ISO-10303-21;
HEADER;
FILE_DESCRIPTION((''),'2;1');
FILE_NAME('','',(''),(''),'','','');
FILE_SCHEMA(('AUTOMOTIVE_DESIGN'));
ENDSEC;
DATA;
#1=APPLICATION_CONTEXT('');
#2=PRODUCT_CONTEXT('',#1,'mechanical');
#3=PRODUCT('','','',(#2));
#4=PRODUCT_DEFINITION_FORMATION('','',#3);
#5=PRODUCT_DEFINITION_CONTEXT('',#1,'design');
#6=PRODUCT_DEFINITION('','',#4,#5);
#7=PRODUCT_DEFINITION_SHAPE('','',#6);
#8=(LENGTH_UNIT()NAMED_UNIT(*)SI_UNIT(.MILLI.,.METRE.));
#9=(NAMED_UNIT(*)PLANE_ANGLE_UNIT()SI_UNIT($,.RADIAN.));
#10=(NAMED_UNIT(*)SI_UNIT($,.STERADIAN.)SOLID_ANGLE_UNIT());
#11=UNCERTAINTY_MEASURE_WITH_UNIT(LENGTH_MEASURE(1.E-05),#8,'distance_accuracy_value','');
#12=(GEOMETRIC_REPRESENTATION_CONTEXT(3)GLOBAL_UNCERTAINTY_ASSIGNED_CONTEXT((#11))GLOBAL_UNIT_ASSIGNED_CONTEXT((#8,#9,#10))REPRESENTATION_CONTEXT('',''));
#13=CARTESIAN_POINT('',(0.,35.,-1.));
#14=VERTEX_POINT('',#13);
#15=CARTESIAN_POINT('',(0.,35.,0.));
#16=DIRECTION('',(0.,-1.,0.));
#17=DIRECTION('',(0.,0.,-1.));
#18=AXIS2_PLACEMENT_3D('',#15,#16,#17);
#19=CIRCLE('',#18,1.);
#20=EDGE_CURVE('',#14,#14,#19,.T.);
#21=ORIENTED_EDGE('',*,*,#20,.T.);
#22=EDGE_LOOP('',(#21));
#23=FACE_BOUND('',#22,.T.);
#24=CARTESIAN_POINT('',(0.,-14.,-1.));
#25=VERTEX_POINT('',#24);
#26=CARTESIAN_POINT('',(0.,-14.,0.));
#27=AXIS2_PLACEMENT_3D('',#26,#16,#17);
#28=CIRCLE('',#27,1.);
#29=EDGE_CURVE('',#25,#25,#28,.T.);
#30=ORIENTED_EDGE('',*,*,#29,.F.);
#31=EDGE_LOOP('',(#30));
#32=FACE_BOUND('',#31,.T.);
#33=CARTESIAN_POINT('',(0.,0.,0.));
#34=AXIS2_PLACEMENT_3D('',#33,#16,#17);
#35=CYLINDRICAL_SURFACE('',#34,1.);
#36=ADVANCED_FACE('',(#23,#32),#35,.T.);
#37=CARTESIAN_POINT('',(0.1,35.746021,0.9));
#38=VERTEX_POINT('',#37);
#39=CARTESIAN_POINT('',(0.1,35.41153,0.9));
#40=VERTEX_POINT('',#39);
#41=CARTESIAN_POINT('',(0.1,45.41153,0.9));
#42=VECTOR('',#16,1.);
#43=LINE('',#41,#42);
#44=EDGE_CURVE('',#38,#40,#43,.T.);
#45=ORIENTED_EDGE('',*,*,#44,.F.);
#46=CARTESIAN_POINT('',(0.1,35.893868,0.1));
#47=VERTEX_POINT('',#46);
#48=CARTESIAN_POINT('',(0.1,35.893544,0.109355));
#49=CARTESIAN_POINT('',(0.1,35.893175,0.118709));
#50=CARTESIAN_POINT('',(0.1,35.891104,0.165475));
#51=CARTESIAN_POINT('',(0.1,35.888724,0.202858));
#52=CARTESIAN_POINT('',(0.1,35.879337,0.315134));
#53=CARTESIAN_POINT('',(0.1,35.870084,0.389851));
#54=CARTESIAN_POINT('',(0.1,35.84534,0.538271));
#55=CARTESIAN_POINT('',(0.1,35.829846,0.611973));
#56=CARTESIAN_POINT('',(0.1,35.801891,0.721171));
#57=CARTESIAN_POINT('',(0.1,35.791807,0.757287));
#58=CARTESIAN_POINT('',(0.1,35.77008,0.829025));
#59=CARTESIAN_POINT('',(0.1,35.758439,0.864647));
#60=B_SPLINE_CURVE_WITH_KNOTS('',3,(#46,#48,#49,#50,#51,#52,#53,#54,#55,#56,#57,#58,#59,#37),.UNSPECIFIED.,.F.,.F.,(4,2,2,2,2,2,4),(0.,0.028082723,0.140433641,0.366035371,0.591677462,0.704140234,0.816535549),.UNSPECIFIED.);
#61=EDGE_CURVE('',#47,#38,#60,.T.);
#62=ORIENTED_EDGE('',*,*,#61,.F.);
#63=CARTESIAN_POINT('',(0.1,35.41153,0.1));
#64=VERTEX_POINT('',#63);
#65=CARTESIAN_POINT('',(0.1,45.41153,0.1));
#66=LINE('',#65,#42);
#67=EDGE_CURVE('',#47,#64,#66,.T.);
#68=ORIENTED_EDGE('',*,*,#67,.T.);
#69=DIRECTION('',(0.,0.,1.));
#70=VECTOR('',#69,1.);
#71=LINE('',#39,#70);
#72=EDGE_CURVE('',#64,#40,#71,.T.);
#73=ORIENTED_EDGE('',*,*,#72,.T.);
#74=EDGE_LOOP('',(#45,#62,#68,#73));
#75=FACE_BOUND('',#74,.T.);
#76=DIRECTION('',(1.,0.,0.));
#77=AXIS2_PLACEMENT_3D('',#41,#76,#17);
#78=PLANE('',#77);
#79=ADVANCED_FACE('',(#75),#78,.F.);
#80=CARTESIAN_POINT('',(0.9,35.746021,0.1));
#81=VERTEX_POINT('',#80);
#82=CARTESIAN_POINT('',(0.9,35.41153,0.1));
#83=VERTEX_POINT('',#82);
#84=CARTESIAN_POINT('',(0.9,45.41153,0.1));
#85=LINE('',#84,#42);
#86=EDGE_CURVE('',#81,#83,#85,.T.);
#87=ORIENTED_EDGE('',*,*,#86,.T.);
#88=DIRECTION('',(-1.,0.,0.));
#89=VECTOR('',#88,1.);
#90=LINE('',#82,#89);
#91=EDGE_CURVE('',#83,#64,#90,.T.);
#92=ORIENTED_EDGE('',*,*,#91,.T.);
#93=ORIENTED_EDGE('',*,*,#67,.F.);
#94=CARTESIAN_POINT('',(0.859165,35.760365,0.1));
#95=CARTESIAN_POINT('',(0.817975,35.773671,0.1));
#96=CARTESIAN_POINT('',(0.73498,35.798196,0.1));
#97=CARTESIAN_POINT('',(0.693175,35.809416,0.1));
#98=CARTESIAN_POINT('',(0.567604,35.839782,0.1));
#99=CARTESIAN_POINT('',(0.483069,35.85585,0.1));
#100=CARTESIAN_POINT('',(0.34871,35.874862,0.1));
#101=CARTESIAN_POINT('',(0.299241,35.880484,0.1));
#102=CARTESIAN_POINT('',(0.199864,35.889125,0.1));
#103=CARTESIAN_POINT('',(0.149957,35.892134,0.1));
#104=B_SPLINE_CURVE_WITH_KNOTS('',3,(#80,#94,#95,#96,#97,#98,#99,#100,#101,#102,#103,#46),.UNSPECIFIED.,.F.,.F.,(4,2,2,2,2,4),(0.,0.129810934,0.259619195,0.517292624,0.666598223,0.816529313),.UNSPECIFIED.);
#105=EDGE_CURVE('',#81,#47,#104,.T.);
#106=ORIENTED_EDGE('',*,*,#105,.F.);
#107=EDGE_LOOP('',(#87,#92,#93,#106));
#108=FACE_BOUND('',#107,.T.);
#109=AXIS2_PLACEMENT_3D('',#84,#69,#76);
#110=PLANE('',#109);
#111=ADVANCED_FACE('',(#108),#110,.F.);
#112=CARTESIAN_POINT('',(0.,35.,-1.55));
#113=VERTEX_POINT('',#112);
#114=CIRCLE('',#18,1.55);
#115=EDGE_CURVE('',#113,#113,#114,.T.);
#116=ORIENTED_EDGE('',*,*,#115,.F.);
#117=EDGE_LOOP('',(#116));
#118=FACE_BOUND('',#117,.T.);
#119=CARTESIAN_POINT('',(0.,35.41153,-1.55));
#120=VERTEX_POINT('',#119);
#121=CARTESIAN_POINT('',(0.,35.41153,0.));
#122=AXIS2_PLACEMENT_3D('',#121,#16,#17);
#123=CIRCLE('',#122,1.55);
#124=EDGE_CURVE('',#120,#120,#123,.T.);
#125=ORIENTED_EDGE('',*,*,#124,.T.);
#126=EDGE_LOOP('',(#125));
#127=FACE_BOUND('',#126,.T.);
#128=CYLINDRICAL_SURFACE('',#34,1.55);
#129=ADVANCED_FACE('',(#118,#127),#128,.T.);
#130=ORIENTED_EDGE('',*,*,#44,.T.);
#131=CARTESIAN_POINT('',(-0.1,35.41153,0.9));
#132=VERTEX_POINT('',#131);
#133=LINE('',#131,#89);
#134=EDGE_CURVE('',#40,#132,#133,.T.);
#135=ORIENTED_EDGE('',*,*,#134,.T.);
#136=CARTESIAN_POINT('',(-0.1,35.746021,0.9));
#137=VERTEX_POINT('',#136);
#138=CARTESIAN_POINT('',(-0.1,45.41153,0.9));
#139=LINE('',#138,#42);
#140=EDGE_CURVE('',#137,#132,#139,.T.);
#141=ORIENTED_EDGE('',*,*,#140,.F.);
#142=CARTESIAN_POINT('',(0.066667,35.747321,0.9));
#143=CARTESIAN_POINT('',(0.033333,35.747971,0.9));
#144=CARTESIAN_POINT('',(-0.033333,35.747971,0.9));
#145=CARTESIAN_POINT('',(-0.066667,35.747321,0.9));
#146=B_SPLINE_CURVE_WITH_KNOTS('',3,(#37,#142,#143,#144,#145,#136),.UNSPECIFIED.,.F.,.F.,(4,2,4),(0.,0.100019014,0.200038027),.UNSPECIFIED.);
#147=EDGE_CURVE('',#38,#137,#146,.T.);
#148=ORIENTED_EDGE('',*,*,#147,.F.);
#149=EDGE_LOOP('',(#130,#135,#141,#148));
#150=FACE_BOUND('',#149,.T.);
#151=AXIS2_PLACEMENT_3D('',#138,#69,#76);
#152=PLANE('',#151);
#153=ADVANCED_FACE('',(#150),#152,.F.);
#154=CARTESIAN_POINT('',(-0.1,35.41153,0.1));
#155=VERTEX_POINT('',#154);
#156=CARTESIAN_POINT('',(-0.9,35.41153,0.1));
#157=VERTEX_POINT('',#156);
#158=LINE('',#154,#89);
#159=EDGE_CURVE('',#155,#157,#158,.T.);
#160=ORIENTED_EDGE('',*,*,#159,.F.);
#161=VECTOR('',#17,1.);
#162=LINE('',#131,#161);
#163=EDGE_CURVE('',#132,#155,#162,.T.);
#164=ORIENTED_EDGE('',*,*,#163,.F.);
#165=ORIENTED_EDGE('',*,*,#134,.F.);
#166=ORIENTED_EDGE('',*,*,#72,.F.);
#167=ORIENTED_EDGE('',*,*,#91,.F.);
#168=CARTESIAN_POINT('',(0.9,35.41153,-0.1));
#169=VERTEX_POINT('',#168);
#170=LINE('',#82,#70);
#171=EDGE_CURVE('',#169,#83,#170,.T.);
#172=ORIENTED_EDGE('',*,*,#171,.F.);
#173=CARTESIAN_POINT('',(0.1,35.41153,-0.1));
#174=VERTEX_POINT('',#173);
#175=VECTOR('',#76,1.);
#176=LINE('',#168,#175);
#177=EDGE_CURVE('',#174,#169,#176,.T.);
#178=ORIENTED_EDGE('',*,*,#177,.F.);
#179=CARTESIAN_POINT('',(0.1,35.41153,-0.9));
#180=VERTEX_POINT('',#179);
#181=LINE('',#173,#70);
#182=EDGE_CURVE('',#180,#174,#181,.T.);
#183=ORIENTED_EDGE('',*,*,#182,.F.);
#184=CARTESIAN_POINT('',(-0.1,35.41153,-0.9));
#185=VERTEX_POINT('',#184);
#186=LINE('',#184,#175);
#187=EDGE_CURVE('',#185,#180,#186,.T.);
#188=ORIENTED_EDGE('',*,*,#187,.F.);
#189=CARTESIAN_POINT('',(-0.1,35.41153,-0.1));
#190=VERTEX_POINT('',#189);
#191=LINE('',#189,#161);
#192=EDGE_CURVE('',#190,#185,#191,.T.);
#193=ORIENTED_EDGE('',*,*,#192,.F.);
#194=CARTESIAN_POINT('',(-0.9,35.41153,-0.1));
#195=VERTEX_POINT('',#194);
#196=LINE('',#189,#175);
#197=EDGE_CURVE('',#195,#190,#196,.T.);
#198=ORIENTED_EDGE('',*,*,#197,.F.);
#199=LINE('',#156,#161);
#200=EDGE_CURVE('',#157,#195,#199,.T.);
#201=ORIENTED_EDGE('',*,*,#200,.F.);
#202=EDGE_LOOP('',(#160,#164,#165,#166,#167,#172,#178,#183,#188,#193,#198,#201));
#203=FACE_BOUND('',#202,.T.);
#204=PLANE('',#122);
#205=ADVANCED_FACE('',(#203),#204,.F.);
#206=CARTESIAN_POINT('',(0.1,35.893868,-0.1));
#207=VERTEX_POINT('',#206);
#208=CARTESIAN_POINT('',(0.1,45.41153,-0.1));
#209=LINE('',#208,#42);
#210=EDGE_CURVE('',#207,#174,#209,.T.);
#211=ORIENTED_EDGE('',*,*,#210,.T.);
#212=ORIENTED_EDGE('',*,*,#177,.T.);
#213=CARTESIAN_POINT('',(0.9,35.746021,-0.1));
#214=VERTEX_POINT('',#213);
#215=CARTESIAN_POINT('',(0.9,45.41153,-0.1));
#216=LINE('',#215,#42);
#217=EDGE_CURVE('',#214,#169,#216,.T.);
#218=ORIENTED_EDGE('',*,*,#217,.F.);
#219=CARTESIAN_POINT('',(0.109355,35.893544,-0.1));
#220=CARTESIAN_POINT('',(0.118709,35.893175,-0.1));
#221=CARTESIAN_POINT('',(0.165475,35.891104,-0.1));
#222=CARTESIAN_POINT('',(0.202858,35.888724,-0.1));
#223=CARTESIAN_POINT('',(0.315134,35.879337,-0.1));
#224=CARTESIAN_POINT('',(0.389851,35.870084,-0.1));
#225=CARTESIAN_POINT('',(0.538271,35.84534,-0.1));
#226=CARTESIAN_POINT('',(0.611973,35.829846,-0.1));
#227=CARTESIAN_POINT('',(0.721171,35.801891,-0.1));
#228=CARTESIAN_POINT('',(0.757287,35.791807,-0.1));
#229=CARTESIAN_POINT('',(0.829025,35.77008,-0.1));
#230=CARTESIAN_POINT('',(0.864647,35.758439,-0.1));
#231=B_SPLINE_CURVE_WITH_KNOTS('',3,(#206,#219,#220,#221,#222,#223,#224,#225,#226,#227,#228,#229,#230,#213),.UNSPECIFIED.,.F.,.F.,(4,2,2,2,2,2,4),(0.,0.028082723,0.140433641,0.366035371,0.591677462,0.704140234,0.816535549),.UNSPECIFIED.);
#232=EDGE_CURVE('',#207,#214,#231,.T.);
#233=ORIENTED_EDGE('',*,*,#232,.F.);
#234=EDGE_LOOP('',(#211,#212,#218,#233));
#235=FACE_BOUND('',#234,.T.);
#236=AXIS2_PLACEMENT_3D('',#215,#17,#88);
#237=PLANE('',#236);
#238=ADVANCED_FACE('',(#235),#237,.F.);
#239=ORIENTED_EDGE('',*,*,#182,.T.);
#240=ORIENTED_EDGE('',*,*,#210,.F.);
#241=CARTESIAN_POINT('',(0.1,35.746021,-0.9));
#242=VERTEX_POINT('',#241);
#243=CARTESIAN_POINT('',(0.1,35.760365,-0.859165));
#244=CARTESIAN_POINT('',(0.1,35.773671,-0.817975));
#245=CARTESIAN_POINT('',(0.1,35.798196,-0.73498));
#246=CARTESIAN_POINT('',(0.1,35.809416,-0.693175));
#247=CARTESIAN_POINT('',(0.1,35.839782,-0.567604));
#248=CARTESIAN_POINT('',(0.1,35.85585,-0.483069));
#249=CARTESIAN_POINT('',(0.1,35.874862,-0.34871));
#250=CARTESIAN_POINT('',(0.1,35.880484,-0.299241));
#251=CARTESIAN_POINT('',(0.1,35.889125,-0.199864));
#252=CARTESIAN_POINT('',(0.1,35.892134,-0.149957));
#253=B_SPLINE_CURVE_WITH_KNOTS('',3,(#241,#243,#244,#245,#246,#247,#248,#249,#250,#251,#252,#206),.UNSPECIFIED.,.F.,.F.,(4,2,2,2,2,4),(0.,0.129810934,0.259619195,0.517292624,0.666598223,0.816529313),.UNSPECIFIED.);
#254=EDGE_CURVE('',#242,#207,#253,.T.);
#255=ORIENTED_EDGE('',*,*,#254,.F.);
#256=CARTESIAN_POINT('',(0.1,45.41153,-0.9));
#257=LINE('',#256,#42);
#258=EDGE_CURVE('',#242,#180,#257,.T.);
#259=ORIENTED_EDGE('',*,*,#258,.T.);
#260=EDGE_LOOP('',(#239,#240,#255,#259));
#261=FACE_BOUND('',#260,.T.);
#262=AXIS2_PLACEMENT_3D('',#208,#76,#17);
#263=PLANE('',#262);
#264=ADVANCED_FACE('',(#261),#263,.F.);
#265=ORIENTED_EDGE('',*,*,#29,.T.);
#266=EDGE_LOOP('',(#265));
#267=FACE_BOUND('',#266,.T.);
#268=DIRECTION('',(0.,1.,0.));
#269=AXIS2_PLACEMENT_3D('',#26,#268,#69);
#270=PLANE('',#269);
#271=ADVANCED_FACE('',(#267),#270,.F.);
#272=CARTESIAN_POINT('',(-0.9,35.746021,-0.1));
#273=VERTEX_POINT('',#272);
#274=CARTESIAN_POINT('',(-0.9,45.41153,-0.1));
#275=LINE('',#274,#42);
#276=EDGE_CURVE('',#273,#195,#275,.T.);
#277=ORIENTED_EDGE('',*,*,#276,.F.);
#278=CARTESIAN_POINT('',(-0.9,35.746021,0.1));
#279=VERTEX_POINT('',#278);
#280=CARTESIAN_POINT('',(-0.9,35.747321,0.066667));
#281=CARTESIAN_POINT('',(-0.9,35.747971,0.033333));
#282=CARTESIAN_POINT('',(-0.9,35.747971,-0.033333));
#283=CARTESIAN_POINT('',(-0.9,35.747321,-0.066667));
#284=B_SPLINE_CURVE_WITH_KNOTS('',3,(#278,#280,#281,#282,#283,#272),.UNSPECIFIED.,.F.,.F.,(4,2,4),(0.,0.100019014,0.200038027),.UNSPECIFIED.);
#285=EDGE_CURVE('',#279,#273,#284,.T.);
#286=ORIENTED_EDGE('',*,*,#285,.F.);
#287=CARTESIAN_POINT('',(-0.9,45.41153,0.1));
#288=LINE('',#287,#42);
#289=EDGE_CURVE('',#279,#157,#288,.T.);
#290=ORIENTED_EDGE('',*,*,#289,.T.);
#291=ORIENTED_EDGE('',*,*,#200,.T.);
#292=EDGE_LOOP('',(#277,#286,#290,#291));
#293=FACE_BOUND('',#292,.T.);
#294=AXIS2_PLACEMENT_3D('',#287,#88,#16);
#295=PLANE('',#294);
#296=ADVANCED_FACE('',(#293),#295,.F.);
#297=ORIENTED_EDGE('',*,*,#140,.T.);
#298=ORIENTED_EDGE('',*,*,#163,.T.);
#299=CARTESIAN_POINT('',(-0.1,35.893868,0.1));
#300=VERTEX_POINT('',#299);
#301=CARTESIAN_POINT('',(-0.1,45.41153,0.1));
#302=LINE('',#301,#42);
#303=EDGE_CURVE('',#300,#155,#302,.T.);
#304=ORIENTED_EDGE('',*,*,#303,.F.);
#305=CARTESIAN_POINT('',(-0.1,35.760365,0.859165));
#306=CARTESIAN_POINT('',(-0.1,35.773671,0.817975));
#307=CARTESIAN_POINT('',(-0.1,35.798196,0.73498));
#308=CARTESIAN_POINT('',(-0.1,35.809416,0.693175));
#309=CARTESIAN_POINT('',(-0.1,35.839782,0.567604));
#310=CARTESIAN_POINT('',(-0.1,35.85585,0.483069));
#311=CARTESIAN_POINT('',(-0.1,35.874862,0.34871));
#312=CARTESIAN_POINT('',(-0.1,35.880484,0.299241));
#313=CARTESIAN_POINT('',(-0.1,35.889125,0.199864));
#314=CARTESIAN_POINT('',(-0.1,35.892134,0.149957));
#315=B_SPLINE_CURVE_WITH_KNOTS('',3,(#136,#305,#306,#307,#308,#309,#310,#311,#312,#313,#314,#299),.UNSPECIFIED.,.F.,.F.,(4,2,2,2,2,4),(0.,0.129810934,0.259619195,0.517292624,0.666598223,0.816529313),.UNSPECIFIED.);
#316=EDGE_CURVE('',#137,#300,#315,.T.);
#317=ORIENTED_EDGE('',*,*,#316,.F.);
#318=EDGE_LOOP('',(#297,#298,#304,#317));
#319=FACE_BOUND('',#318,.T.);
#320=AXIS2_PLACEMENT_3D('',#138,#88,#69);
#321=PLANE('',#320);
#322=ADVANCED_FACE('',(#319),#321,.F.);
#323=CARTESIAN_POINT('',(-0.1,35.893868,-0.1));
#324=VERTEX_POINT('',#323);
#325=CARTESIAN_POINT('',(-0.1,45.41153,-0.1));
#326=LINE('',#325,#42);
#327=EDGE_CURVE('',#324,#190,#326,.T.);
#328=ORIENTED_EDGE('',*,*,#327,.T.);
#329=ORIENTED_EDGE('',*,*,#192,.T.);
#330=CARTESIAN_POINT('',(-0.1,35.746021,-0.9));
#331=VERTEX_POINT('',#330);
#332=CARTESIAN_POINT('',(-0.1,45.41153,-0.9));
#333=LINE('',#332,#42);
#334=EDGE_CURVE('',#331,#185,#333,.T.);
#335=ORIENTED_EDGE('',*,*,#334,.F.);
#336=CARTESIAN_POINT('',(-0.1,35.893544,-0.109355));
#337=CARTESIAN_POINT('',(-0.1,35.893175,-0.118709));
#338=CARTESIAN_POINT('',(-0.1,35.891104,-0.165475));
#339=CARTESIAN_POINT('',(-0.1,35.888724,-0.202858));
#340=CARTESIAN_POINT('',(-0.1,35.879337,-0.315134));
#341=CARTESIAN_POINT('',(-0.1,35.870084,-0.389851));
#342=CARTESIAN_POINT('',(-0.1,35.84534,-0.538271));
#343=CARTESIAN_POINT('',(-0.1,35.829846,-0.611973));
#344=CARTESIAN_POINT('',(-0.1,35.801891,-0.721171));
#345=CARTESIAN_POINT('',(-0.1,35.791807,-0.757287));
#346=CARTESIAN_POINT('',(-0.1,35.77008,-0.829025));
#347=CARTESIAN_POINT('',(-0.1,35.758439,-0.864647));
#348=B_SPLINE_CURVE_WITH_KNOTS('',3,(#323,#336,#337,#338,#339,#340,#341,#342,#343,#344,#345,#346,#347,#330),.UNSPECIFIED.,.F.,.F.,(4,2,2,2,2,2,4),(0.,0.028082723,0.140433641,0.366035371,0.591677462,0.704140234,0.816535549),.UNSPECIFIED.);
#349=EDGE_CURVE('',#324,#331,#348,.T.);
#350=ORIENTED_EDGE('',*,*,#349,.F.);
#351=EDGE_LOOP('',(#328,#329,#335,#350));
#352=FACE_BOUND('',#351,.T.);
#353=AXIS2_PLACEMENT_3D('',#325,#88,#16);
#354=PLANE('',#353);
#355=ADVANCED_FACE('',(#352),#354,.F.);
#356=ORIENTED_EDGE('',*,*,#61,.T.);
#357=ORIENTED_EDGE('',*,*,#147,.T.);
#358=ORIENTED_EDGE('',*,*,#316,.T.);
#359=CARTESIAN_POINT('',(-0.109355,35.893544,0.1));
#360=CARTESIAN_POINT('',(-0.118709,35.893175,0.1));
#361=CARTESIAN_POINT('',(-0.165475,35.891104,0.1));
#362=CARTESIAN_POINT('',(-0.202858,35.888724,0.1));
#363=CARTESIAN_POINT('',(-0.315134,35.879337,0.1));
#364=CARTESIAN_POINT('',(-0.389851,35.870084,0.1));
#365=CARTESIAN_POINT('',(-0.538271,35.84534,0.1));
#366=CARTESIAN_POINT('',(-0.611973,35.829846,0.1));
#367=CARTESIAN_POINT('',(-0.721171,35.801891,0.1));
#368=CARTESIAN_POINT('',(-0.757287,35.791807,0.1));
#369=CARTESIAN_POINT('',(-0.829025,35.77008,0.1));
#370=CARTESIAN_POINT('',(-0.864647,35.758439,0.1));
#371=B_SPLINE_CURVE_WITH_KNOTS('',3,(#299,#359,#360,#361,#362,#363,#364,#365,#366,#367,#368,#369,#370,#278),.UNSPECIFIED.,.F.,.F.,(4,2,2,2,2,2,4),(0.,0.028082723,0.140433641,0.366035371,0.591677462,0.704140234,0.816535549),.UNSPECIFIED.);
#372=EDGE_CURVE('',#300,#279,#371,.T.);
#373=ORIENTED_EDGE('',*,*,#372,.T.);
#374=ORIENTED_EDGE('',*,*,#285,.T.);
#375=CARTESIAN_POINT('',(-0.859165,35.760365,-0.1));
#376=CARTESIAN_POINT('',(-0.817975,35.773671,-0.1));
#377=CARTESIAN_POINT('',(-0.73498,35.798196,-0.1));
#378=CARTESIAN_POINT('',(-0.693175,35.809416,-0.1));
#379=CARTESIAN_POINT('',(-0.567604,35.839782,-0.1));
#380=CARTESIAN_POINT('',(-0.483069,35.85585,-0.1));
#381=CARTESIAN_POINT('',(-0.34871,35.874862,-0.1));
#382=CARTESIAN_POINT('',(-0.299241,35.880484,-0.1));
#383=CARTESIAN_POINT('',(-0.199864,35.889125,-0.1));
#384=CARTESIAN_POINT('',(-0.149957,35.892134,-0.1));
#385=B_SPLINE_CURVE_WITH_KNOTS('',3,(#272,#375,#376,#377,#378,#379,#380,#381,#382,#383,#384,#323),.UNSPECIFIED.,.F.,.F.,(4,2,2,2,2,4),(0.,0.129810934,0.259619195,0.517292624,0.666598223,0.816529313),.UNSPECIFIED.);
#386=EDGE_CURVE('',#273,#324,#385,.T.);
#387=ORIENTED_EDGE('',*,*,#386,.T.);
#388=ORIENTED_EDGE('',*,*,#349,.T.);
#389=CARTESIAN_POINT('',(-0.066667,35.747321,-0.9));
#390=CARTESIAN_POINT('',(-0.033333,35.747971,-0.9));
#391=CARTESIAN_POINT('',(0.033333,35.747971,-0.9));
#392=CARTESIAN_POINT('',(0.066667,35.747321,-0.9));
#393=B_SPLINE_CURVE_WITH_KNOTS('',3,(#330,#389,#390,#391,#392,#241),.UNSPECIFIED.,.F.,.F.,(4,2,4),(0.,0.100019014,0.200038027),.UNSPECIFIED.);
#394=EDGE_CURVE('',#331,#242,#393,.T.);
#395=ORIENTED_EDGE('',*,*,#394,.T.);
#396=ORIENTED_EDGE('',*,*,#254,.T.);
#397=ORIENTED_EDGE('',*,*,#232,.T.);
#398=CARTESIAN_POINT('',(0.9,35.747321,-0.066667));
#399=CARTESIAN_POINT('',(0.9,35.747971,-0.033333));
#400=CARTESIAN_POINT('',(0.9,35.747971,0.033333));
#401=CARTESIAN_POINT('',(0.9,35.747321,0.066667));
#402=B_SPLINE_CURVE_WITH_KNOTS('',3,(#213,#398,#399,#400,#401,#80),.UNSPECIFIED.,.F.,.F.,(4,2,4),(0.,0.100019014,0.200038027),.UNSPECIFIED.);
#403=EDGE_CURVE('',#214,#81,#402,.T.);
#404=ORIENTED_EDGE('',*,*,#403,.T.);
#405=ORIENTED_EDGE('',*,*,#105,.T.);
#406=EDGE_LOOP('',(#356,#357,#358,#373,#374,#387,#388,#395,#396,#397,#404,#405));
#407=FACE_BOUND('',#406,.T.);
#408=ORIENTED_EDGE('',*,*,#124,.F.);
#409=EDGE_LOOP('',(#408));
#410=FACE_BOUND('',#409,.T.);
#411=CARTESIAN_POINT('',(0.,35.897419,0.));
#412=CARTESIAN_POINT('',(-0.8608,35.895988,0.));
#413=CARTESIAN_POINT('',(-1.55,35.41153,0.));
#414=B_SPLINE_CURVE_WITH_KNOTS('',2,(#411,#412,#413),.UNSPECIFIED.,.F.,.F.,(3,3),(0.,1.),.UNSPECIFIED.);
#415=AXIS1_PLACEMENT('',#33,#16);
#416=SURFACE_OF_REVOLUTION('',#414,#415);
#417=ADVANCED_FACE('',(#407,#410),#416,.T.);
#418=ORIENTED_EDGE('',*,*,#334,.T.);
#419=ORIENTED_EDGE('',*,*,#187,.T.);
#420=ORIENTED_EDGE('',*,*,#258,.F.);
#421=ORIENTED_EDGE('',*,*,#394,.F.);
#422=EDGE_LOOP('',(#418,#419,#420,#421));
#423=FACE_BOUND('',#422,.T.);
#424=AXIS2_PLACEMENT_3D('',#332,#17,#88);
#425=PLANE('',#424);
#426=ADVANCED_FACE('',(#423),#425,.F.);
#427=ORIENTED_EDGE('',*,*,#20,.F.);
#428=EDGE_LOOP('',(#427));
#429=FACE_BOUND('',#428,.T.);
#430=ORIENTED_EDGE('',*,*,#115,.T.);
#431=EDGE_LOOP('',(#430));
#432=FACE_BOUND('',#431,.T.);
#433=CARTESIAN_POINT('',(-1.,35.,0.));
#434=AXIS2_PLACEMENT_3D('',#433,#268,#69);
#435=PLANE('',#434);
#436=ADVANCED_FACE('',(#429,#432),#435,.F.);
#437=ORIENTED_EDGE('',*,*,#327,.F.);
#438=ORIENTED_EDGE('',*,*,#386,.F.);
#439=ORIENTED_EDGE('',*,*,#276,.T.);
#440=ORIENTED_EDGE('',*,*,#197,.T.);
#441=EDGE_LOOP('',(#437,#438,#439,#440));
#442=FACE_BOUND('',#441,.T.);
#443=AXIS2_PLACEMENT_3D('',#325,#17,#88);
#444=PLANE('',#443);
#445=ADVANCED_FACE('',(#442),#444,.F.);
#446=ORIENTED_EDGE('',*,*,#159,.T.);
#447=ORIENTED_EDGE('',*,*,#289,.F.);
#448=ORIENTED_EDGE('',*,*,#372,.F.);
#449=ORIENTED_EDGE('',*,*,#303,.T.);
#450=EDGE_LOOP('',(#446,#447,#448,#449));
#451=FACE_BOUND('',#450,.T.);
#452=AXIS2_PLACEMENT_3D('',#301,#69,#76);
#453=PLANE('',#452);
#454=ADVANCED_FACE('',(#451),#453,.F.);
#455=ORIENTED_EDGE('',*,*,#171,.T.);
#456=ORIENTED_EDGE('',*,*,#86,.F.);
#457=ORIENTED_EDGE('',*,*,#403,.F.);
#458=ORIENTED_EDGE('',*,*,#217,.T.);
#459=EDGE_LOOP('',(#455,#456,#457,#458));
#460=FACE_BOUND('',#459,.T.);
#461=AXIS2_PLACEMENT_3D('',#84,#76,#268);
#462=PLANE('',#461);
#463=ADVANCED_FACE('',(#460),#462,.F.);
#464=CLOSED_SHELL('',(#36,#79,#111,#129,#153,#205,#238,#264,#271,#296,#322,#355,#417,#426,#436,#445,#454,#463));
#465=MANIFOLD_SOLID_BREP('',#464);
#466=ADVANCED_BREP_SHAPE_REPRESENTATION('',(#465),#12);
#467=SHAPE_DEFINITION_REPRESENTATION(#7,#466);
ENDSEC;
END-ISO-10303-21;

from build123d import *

# Parameters (mm, degrees)
CUT_EXTRUDE_2_DEPTH = 10


with BuildPart() as part:
    # 草图5 → 旋转1 (revolve)
    with BuildSketch(Plane.XY, mode=Mode.PRIVATE) as revolve_1_sk:
        with BuildLine():
            Line((0, -14), (-1, -14))
            Line((-1, -14), (-1, 35))
            Line((-1, 35), (-1.55, 35))
            Line((-1.55, 35), (-1.55, 35.411529967))
            add(Edge.make_bspline(
                [(-1.55, 35.411529967), (-0.860800082, 35.895988097), (0, 35.897418779)],
                knots=[0, 0, 0, 1, 1, 1], degree=2))
            Line((0, 35.897418779), (0, -14))
        make_face()
    revolve(revolve_1_sk.sketch.rotate(Axis((0, 0, 0), (0, 1, 0)), 270), axis=Axis((0, 0, 0), (0, 1, 0)))

    # 草图6 → 切除-拉伸2 (cut)
    with BuildSketch(Plane(origin=(0, 35.411529967, 0), x_dir=(-1, 0, 0), z_dir=(0, -1, 0))):
        Polygon((0.1, -0.1), (0.9, -0.1), (0.9, 0.1), (0.1, 0.1), (0.1, 0.9), (-0.1, 0.9), (-0.1, 0.1), (-0.9, 0.1), (-0.9, -0.1), (-0.1, -0.1), (-0.1, -0.9), (0.1, -0.9), align=None)
    extrude(amount=-CUT_EXTRUDE_2_DEPTH, mode=Mode.SUBTRACT)


solid = part.part
